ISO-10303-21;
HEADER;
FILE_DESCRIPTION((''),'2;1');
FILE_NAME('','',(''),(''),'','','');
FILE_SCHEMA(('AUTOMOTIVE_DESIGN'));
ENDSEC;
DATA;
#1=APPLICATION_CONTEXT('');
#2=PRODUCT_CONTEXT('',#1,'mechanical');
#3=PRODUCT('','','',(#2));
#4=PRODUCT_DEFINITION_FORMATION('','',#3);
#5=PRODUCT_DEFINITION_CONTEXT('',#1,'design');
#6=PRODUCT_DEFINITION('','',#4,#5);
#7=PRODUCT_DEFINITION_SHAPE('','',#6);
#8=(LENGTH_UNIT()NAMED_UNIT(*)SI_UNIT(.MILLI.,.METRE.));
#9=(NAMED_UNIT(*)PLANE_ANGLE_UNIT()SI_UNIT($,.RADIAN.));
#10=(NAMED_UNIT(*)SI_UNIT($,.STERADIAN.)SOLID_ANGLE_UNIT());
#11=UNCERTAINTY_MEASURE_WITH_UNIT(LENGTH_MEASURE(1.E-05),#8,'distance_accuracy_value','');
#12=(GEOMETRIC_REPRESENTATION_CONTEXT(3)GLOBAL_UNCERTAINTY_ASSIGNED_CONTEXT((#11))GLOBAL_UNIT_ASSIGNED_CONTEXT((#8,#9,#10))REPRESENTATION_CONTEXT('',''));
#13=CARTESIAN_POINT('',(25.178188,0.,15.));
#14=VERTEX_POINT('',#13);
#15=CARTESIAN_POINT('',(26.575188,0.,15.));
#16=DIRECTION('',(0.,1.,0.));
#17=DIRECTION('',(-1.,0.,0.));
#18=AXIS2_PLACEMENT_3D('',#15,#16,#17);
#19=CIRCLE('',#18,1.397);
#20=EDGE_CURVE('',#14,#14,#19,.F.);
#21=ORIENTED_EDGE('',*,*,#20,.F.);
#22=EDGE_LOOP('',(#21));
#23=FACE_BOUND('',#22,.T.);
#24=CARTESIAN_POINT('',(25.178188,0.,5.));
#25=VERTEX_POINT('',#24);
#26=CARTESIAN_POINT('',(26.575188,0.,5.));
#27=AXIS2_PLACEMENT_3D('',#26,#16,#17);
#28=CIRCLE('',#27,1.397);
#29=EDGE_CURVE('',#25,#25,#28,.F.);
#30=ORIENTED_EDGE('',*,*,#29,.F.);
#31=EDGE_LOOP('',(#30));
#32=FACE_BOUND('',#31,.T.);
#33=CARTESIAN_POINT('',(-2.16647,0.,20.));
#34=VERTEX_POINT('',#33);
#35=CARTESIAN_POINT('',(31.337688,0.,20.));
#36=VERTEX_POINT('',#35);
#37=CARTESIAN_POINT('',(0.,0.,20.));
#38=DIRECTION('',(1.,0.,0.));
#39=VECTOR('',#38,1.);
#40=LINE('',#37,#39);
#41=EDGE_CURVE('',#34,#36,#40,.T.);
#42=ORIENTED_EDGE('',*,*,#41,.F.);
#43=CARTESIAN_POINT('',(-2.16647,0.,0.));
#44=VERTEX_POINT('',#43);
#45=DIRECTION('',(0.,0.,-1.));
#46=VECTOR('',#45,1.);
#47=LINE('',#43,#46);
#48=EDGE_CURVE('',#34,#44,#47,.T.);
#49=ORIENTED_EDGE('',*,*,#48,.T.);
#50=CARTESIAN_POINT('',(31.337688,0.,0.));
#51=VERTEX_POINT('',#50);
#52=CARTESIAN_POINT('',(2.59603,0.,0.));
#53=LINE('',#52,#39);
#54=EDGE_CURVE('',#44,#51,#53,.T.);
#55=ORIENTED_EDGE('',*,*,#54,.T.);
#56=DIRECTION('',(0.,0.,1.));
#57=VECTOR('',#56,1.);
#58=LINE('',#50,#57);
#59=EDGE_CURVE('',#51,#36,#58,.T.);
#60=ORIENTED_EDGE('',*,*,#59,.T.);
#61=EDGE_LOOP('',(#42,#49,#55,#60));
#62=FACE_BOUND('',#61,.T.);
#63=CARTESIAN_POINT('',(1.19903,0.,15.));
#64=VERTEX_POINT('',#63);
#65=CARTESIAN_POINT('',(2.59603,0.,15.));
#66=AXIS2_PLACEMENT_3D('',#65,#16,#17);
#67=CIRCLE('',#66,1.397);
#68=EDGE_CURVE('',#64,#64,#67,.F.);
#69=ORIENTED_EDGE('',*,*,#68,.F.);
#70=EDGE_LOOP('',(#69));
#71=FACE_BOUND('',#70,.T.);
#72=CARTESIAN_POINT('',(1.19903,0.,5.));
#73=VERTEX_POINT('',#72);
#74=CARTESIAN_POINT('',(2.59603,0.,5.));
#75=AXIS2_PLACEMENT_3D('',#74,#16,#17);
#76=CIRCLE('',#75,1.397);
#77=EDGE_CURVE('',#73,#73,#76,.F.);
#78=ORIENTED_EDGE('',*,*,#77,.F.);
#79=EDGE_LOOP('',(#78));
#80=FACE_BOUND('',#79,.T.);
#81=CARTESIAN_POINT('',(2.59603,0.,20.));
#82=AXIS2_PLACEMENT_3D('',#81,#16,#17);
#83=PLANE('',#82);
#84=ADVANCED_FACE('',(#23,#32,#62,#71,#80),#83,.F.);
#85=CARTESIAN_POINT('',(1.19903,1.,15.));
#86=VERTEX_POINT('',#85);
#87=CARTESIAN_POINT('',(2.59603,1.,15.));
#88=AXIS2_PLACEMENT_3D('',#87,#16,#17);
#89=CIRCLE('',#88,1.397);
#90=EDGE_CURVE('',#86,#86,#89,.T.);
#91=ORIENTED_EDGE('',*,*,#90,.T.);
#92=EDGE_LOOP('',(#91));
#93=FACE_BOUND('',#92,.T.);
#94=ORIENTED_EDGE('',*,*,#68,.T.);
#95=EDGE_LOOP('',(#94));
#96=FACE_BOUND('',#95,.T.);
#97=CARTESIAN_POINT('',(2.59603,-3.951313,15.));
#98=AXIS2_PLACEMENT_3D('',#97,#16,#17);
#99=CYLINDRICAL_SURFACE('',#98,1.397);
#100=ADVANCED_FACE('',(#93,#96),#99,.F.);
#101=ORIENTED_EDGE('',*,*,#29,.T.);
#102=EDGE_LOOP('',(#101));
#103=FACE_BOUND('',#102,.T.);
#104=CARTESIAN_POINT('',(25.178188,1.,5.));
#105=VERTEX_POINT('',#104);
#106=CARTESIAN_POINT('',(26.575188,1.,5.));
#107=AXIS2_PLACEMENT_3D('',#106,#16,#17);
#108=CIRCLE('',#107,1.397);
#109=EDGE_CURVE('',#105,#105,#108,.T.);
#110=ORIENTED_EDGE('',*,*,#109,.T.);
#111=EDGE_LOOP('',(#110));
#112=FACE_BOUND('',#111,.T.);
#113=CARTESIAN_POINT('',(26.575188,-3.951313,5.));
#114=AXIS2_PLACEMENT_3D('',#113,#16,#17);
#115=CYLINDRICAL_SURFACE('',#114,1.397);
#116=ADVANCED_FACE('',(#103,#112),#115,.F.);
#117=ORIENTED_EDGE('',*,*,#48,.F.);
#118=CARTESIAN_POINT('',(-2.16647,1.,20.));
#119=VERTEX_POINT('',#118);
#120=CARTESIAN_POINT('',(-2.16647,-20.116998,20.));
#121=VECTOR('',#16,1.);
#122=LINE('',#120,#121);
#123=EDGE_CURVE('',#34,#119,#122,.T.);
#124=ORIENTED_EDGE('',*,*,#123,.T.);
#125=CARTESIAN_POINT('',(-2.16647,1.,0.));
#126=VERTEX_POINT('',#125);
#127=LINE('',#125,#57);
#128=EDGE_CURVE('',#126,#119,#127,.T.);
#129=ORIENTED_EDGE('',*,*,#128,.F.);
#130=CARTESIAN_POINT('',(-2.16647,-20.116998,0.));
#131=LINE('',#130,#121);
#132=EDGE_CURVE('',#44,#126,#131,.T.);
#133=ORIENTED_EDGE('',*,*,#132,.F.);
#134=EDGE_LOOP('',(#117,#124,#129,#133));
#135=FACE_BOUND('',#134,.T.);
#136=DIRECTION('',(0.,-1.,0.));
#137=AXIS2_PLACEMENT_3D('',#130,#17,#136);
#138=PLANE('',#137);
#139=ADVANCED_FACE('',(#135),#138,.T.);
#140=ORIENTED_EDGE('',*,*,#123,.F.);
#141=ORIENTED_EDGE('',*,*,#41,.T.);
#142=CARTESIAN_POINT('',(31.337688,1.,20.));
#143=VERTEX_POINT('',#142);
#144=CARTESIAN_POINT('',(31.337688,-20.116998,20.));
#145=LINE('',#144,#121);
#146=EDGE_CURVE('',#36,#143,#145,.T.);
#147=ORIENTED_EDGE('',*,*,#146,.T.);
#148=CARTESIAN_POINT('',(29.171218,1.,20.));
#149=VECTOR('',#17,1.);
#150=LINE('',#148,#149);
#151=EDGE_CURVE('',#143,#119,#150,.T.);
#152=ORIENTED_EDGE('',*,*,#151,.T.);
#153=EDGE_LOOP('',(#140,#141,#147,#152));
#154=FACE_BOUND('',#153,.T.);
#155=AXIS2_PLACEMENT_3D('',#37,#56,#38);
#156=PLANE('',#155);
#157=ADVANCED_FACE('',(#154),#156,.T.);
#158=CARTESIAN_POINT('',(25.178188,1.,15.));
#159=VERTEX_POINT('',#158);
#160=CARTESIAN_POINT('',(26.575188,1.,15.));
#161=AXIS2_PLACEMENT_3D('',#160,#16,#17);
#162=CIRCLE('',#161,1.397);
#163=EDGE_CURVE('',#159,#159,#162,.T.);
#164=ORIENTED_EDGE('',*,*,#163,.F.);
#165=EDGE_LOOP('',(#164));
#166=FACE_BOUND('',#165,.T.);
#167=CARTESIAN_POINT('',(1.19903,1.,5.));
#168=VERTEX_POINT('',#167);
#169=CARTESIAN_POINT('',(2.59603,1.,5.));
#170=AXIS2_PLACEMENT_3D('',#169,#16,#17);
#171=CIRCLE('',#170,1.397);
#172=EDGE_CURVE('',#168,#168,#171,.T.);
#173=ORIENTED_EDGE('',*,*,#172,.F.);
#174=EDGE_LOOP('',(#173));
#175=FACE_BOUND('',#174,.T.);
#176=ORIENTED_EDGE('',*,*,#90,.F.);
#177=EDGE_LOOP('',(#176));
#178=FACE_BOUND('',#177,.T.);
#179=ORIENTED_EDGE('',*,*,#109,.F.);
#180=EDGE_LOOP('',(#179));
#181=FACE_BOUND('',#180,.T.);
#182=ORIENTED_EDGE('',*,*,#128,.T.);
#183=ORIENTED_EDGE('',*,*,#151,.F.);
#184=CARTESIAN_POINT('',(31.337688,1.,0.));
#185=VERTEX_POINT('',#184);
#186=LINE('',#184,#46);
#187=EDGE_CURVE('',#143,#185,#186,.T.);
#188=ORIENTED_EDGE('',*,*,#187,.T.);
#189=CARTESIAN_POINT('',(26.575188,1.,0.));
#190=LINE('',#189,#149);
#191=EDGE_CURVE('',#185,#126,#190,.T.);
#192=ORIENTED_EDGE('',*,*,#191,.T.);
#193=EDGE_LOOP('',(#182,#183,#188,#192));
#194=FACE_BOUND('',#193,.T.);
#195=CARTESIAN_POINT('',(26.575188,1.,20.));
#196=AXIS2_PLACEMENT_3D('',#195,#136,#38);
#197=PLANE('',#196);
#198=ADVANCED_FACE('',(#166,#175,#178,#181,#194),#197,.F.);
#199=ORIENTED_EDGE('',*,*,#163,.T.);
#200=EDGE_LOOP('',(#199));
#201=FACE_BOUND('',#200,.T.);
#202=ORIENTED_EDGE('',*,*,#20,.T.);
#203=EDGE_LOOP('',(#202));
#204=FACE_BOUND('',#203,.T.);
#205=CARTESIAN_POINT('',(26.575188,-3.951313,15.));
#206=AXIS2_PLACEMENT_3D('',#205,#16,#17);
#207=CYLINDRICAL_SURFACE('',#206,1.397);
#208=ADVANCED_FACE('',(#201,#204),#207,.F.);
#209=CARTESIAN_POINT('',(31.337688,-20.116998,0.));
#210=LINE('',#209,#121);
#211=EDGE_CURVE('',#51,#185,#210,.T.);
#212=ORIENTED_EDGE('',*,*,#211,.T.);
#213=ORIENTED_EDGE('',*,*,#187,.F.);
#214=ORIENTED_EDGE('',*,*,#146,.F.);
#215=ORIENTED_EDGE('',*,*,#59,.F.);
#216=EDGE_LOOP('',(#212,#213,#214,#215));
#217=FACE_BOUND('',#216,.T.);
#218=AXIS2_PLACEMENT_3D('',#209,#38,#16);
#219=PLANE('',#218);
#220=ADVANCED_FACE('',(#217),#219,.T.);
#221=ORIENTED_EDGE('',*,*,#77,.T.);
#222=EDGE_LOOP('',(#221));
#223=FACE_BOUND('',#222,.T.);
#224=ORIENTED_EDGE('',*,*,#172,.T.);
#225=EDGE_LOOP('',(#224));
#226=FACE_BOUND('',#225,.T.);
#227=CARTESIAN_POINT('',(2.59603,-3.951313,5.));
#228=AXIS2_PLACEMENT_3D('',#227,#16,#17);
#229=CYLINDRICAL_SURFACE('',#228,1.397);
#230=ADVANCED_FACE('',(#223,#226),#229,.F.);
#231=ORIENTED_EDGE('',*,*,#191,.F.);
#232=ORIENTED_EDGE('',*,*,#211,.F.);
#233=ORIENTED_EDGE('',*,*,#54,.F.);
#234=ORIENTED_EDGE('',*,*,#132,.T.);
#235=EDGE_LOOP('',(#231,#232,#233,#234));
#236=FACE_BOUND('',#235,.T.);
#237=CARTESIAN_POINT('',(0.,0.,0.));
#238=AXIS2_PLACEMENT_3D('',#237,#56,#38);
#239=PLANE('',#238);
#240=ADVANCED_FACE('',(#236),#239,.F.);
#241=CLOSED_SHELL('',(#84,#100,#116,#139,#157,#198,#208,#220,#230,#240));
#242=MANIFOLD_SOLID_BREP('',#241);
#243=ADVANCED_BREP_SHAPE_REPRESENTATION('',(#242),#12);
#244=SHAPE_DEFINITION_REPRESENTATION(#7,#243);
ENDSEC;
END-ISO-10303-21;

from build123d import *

# Parameters (mm, degrees)
BOSS_EXTRUDE1_DEPTH = 20
SKETCH6_R           = 1.397
CUT_EXTRUDE1_DEPTH  = 1
SKETCH7_W           = 2.16646989
SKETCH7_H           = 20
BOSS_EXTRUDE2_DEPTH = 1


with BuildPart() as part:
    # Sketch1 → Boss-Extrude1 (new body)
    with BuildSketch(Plane.XY):
        Polygon((0, 0), (2.596030114, 0), (29.171217845, 0), (29.171217845, 1), (26.575187731, 1), (0, 1), align=None)
    extrude(amount=BOSS_EXTRUDE1_DEPTH)

    # Sketch6 → Cut-Extrude1 (cut)
    with BuildSketch(Plane(origin=(0, 1, 0), x_dir=(1, 0, 0), z_dir=(0, 1, 0))):
        with Locations((26.575187731, -15.000000033)):
            Circle(SKETCH6_R)
        with Locations((2.596030114, -15.000000033)):
            Circle(SKETCH6_R)
        with Locations((2.596030114, -4.999999967)):
            Circle(SKETCH6_R)
        with Locations((26.575187731, -4.999999967)):
            Circle(SKETCH6_R)
    extrude(amount=-CUT_EXTRUDE1_DEPTH, mode=Mode.SUBTRACT)

    # Sketch7 → Boss-Extrude2 (add)
    with BuildSketch(Plane(origin=(0, 1, 0), x_dir=(1, 0, 0), z_dir=(0, 1, 0))):
        with Locations((30.25445279, -10)):
            Rectangle(SKETCH7_W, SKETCH7_H)
        with Locations((-1.083234945, -10)):
            Rectangle(SKETCH7_W, SKETCH7_H)
    extrude(amount=-BOSS_EXTRUDE2_DEPTH)


solid = part.part
